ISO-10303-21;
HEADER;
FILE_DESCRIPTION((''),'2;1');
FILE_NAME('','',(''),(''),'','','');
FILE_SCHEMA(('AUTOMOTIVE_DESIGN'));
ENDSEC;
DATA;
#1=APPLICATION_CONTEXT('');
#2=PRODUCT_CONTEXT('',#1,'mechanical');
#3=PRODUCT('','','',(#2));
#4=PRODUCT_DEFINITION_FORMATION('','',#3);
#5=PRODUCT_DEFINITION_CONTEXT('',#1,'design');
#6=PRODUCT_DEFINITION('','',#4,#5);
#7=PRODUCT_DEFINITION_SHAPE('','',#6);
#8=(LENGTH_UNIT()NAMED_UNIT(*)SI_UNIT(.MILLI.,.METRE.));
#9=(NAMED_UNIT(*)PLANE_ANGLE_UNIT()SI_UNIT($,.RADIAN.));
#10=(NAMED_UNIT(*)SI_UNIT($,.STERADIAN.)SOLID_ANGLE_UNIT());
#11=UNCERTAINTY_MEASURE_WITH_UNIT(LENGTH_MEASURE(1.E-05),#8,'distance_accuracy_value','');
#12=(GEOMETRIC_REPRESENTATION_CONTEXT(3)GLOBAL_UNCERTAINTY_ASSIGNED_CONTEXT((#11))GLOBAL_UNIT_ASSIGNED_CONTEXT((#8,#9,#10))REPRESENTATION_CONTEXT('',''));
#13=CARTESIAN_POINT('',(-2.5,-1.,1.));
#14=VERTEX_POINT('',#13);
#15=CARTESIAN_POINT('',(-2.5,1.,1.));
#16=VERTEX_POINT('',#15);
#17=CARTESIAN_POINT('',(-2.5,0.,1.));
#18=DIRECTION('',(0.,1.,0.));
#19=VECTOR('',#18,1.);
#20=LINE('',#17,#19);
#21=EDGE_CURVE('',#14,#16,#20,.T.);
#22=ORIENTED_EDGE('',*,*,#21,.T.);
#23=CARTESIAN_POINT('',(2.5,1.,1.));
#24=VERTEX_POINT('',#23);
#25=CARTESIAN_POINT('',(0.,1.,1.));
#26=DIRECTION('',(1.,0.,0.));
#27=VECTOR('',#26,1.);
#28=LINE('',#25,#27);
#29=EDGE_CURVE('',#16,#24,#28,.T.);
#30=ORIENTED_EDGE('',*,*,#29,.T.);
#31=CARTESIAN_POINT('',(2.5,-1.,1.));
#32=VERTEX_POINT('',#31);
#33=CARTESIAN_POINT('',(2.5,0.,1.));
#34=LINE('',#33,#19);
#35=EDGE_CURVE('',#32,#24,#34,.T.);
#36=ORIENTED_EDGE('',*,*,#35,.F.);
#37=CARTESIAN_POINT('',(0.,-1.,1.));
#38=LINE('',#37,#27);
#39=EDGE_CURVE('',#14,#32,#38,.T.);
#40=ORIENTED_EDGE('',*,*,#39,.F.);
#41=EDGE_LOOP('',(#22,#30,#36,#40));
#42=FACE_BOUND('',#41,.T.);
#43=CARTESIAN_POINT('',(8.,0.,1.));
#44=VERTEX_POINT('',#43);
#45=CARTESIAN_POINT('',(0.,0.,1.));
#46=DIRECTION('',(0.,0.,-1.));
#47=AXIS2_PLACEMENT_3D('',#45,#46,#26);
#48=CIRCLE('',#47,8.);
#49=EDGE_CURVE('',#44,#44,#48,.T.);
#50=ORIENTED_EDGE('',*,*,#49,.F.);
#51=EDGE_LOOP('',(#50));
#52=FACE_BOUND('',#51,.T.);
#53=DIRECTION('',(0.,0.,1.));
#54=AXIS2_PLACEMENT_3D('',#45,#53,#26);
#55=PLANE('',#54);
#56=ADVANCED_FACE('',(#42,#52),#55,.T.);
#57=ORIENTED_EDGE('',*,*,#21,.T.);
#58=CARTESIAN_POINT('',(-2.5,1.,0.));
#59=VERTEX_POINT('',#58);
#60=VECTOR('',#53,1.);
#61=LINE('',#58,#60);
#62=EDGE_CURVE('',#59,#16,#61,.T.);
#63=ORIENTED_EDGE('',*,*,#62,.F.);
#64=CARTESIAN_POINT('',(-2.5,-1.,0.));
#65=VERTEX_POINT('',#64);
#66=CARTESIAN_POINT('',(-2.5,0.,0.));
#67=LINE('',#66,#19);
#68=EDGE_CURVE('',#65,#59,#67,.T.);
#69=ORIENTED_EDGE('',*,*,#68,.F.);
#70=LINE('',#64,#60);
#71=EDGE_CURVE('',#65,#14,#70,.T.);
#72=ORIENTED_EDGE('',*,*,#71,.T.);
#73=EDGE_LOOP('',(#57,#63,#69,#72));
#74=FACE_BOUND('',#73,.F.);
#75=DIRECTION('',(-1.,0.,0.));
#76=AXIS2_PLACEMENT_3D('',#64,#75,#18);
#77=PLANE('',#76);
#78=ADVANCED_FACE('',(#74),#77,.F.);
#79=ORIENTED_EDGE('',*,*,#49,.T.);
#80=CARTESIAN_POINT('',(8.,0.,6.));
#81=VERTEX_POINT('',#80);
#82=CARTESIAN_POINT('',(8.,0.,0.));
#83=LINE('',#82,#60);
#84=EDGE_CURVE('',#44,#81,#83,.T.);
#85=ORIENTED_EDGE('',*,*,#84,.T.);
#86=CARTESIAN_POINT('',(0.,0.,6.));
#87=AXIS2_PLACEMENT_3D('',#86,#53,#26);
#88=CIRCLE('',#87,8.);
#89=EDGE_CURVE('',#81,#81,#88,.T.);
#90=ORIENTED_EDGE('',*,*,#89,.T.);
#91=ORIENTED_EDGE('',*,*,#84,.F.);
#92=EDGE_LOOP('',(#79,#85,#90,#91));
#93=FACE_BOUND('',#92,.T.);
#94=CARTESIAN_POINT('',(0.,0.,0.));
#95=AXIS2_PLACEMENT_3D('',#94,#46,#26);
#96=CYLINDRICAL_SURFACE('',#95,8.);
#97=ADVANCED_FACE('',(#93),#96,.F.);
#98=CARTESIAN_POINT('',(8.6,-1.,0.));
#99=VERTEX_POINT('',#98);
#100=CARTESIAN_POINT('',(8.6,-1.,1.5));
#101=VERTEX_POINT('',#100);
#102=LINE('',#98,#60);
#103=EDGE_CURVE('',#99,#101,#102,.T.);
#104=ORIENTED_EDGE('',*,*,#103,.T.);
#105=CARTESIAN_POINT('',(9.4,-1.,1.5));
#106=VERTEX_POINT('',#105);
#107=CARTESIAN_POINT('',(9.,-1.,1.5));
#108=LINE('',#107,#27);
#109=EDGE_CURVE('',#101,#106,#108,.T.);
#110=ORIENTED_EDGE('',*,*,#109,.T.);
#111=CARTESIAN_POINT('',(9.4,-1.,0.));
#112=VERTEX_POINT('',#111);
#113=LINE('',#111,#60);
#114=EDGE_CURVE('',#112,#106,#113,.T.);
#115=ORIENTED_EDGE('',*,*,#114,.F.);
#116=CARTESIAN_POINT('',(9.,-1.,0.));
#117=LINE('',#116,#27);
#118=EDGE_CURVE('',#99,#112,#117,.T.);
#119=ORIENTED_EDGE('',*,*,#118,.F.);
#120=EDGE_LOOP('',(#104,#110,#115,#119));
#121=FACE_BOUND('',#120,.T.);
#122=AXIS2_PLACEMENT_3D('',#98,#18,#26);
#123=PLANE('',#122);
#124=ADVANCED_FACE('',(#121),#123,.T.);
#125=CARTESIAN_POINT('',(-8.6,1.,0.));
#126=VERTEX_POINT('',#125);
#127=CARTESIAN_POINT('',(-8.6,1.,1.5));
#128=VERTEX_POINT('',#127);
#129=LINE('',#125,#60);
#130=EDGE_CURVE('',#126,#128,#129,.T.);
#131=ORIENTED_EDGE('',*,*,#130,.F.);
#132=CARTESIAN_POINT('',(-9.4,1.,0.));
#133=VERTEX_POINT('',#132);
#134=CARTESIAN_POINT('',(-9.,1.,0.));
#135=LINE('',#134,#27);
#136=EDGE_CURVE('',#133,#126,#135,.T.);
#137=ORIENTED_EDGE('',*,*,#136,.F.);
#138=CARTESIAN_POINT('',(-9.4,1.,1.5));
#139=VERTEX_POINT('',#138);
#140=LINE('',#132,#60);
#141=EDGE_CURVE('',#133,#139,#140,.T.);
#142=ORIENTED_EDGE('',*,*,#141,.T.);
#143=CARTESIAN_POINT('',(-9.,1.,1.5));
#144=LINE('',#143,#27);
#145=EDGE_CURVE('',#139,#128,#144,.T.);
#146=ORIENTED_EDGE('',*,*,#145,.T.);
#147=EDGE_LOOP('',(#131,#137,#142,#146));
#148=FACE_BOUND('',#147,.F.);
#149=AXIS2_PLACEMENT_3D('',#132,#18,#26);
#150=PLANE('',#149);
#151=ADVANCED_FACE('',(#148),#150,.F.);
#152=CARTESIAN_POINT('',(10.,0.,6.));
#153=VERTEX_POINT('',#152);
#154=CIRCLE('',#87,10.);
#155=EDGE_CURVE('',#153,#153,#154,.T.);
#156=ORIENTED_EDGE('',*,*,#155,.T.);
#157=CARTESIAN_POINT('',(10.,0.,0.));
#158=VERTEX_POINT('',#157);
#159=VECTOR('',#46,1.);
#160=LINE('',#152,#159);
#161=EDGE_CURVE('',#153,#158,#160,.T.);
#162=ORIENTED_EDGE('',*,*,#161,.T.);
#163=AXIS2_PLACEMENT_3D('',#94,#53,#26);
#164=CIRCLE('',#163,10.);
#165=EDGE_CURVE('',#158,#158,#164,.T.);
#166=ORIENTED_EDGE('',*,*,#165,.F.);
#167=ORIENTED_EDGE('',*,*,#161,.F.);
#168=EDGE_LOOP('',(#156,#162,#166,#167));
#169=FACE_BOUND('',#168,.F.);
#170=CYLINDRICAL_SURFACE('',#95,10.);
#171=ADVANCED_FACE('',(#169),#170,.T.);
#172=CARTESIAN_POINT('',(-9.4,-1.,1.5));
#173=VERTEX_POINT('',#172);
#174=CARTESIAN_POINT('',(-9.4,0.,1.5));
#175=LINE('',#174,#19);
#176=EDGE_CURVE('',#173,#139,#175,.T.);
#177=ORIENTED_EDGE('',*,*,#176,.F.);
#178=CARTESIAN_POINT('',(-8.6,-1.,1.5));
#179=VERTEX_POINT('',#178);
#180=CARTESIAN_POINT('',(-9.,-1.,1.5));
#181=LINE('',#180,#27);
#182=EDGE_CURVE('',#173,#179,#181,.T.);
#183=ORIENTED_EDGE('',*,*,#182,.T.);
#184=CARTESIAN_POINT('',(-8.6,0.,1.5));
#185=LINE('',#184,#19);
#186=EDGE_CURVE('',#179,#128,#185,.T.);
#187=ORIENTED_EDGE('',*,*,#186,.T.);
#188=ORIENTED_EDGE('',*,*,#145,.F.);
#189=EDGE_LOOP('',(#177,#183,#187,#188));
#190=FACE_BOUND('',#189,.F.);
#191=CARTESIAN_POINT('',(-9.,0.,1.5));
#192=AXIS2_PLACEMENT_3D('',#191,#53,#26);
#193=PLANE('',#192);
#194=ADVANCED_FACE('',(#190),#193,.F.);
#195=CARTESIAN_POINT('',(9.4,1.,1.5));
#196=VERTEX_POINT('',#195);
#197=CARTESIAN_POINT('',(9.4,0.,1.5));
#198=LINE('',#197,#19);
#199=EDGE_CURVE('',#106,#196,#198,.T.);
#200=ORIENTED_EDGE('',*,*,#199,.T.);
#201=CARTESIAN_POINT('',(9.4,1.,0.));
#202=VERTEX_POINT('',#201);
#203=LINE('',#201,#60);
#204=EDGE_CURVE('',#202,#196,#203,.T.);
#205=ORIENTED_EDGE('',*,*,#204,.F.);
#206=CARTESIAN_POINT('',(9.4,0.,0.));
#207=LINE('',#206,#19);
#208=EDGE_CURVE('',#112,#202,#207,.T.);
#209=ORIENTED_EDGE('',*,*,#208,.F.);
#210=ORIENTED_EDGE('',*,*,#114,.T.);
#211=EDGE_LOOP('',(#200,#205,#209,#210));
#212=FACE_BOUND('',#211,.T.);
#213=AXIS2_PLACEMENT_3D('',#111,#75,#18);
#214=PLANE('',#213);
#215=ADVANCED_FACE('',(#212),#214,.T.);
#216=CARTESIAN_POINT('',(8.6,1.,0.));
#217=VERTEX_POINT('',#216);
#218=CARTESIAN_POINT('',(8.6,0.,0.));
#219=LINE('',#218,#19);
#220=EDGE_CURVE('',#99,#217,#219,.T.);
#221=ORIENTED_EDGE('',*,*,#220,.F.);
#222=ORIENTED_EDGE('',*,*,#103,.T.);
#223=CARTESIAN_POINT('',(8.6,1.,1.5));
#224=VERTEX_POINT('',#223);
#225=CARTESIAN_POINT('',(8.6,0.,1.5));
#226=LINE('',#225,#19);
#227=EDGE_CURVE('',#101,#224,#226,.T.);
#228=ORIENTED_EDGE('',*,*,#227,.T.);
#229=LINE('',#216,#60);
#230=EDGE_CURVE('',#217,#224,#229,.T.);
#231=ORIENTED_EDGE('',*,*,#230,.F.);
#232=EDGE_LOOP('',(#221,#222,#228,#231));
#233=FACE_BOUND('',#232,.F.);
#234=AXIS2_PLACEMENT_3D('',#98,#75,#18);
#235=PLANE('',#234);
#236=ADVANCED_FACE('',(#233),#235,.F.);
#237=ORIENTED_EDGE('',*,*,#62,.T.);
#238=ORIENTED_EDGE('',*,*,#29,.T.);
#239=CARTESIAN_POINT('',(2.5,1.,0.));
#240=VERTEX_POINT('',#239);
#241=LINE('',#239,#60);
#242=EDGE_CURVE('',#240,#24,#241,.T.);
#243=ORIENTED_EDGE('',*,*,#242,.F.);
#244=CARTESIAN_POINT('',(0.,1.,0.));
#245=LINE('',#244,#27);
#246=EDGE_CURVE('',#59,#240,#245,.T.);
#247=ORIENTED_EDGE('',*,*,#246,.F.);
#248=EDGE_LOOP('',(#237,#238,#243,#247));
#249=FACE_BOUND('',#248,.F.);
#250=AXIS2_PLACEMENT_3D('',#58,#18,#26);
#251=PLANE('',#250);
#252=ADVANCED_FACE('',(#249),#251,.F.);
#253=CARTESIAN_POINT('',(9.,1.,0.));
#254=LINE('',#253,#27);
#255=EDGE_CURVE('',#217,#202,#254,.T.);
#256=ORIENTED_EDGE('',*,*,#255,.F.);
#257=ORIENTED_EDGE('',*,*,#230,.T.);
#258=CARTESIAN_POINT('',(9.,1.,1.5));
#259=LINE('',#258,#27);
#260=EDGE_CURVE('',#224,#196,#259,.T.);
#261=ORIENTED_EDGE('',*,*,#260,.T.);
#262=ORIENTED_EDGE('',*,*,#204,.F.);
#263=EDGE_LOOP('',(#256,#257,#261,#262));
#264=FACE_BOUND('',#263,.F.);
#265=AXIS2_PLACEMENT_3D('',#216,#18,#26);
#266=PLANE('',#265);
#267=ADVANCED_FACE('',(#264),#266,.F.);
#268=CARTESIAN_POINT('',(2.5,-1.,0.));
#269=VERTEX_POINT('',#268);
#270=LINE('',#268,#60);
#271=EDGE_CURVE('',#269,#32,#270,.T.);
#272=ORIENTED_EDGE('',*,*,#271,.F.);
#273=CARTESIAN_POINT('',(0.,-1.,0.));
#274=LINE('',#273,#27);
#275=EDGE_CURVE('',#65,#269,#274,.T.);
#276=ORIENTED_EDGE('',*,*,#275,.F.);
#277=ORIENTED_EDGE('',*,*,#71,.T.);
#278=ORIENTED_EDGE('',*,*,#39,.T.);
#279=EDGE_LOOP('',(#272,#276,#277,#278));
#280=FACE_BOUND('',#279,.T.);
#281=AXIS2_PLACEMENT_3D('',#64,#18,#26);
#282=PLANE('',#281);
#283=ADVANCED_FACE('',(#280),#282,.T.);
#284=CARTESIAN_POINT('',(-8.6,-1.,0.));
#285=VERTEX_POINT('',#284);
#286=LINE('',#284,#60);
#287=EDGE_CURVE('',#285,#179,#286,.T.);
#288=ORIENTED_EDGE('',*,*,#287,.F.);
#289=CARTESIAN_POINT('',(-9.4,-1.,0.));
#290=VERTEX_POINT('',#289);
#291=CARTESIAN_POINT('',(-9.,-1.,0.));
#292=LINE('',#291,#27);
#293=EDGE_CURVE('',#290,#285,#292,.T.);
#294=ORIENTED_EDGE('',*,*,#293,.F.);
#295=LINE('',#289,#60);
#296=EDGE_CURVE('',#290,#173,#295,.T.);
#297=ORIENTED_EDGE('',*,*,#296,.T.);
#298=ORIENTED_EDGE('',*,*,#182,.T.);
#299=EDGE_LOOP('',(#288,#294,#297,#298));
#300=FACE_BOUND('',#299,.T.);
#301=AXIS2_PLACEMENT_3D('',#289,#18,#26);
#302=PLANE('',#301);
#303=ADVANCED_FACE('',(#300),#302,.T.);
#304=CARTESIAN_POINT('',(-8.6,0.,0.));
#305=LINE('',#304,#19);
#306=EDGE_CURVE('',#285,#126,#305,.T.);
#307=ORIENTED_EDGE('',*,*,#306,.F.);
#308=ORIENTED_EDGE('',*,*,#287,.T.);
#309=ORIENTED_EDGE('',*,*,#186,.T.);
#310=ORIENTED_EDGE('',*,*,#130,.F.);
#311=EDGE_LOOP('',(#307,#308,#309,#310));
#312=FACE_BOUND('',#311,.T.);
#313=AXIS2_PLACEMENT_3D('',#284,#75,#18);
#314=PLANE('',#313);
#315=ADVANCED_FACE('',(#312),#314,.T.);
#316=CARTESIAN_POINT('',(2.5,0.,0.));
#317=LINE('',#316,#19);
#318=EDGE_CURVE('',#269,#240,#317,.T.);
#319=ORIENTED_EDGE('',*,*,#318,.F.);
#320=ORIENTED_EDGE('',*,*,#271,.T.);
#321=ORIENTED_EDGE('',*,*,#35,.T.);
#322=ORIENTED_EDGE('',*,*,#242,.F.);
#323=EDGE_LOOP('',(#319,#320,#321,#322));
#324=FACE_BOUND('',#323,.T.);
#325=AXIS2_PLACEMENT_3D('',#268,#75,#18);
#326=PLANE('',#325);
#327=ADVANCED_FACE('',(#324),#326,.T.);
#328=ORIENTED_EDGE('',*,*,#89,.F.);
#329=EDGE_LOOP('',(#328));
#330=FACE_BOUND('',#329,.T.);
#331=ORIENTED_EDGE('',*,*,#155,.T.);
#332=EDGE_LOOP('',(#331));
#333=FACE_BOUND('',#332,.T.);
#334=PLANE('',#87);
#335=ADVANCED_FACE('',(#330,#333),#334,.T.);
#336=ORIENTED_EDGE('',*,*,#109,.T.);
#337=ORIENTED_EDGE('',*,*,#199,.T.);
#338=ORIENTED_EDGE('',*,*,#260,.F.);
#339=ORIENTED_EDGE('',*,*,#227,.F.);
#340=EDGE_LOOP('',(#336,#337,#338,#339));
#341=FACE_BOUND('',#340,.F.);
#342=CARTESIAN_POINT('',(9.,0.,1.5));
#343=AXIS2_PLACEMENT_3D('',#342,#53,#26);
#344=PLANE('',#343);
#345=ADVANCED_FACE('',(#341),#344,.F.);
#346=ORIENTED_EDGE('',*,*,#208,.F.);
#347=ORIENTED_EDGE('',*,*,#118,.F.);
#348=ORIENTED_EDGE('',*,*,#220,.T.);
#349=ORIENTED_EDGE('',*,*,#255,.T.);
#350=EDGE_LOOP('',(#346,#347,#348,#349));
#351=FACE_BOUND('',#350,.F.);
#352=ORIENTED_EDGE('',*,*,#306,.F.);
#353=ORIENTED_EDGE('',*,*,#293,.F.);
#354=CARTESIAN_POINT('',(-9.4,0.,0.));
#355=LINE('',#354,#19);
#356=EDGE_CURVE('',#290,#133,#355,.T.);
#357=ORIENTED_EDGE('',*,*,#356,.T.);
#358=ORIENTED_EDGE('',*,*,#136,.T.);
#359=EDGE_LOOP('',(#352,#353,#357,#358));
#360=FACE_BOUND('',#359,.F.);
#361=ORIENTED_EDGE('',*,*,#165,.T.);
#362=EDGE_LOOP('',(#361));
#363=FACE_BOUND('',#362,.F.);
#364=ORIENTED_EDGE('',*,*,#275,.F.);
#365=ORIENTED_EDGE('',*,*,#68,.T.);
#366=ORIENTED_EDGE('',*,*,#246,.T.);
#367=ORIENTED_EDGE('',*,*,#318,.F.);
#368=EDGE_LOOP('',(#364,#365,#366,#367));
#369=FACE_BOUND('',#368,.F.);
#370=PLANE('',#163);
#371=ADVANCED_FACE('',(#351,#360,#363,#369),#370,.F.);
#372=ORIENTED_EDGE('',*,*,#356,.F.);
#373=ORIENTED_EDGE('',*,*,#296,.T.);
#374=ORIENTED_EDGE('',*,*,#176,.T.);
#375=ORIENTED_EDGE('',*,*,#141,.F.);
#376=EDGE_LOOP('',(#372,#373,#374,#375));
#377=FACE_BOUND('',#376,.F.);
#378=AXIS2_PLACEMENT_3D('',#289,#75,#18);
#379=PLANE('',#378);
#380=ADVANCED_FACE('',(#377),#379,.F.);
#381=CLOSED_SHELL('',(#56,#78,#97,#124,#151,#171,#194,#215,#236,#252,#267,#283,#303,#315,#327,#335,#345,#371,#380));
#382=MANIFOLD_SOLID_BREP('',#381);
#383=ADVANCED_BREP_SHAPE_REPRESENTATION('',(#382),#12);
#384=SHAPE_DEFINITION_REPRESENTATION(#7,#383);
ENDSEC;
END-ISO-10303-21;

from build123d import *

# Parameters (mm, degrees)
F0_R     = 10
F0_R_2   = 8
F1_DEPTH = 6
F2_R     = 10
F2_W     = 0.8
F2_H     = 2
F2_W_2   = 5
F3_DEPTH = 1
F4_DEPTH = 1.5


with BuildPart() as f1:
    # F0 (on Top) → F1 (new body)
    with BuildSketch(Plane.XY):
        Circle(F0_R)
        Circle(F0_R_2, mode=Mode.SUBTRACT)
    extrude(amount=F1_DEPTH)

    # F2 (on Top) → F3 (join)
    with BuildSketch(Plane.XY):
        Circle(F2_R)
        with Locations((-9, 0)):
            Rectangle(F2_W, F2_H, mode=Mode.SUBTRACT)
        Rectangle(F2_W_2, F2_H, mode=Mode.SUBTRACT)
        with Locations((9, 0)):
            Rectangle(F2_W, F2_H, mode=Mode.SUBTRACT)
    extrude(amount=F3_DEPTH)

    # F2 (on Top) → F4 (cut)
    with BuildSketch(Plane.XY):
        with Locations((9, 0)):
            Rectangle(F2_W, F2_H)
        with Locations((-9, 0)):
            Rectangle(F2_W, F2_H)
    extrude(amount=F4_DEPTH, mode=Mode.SUBTRACT)


solid = f1.part
